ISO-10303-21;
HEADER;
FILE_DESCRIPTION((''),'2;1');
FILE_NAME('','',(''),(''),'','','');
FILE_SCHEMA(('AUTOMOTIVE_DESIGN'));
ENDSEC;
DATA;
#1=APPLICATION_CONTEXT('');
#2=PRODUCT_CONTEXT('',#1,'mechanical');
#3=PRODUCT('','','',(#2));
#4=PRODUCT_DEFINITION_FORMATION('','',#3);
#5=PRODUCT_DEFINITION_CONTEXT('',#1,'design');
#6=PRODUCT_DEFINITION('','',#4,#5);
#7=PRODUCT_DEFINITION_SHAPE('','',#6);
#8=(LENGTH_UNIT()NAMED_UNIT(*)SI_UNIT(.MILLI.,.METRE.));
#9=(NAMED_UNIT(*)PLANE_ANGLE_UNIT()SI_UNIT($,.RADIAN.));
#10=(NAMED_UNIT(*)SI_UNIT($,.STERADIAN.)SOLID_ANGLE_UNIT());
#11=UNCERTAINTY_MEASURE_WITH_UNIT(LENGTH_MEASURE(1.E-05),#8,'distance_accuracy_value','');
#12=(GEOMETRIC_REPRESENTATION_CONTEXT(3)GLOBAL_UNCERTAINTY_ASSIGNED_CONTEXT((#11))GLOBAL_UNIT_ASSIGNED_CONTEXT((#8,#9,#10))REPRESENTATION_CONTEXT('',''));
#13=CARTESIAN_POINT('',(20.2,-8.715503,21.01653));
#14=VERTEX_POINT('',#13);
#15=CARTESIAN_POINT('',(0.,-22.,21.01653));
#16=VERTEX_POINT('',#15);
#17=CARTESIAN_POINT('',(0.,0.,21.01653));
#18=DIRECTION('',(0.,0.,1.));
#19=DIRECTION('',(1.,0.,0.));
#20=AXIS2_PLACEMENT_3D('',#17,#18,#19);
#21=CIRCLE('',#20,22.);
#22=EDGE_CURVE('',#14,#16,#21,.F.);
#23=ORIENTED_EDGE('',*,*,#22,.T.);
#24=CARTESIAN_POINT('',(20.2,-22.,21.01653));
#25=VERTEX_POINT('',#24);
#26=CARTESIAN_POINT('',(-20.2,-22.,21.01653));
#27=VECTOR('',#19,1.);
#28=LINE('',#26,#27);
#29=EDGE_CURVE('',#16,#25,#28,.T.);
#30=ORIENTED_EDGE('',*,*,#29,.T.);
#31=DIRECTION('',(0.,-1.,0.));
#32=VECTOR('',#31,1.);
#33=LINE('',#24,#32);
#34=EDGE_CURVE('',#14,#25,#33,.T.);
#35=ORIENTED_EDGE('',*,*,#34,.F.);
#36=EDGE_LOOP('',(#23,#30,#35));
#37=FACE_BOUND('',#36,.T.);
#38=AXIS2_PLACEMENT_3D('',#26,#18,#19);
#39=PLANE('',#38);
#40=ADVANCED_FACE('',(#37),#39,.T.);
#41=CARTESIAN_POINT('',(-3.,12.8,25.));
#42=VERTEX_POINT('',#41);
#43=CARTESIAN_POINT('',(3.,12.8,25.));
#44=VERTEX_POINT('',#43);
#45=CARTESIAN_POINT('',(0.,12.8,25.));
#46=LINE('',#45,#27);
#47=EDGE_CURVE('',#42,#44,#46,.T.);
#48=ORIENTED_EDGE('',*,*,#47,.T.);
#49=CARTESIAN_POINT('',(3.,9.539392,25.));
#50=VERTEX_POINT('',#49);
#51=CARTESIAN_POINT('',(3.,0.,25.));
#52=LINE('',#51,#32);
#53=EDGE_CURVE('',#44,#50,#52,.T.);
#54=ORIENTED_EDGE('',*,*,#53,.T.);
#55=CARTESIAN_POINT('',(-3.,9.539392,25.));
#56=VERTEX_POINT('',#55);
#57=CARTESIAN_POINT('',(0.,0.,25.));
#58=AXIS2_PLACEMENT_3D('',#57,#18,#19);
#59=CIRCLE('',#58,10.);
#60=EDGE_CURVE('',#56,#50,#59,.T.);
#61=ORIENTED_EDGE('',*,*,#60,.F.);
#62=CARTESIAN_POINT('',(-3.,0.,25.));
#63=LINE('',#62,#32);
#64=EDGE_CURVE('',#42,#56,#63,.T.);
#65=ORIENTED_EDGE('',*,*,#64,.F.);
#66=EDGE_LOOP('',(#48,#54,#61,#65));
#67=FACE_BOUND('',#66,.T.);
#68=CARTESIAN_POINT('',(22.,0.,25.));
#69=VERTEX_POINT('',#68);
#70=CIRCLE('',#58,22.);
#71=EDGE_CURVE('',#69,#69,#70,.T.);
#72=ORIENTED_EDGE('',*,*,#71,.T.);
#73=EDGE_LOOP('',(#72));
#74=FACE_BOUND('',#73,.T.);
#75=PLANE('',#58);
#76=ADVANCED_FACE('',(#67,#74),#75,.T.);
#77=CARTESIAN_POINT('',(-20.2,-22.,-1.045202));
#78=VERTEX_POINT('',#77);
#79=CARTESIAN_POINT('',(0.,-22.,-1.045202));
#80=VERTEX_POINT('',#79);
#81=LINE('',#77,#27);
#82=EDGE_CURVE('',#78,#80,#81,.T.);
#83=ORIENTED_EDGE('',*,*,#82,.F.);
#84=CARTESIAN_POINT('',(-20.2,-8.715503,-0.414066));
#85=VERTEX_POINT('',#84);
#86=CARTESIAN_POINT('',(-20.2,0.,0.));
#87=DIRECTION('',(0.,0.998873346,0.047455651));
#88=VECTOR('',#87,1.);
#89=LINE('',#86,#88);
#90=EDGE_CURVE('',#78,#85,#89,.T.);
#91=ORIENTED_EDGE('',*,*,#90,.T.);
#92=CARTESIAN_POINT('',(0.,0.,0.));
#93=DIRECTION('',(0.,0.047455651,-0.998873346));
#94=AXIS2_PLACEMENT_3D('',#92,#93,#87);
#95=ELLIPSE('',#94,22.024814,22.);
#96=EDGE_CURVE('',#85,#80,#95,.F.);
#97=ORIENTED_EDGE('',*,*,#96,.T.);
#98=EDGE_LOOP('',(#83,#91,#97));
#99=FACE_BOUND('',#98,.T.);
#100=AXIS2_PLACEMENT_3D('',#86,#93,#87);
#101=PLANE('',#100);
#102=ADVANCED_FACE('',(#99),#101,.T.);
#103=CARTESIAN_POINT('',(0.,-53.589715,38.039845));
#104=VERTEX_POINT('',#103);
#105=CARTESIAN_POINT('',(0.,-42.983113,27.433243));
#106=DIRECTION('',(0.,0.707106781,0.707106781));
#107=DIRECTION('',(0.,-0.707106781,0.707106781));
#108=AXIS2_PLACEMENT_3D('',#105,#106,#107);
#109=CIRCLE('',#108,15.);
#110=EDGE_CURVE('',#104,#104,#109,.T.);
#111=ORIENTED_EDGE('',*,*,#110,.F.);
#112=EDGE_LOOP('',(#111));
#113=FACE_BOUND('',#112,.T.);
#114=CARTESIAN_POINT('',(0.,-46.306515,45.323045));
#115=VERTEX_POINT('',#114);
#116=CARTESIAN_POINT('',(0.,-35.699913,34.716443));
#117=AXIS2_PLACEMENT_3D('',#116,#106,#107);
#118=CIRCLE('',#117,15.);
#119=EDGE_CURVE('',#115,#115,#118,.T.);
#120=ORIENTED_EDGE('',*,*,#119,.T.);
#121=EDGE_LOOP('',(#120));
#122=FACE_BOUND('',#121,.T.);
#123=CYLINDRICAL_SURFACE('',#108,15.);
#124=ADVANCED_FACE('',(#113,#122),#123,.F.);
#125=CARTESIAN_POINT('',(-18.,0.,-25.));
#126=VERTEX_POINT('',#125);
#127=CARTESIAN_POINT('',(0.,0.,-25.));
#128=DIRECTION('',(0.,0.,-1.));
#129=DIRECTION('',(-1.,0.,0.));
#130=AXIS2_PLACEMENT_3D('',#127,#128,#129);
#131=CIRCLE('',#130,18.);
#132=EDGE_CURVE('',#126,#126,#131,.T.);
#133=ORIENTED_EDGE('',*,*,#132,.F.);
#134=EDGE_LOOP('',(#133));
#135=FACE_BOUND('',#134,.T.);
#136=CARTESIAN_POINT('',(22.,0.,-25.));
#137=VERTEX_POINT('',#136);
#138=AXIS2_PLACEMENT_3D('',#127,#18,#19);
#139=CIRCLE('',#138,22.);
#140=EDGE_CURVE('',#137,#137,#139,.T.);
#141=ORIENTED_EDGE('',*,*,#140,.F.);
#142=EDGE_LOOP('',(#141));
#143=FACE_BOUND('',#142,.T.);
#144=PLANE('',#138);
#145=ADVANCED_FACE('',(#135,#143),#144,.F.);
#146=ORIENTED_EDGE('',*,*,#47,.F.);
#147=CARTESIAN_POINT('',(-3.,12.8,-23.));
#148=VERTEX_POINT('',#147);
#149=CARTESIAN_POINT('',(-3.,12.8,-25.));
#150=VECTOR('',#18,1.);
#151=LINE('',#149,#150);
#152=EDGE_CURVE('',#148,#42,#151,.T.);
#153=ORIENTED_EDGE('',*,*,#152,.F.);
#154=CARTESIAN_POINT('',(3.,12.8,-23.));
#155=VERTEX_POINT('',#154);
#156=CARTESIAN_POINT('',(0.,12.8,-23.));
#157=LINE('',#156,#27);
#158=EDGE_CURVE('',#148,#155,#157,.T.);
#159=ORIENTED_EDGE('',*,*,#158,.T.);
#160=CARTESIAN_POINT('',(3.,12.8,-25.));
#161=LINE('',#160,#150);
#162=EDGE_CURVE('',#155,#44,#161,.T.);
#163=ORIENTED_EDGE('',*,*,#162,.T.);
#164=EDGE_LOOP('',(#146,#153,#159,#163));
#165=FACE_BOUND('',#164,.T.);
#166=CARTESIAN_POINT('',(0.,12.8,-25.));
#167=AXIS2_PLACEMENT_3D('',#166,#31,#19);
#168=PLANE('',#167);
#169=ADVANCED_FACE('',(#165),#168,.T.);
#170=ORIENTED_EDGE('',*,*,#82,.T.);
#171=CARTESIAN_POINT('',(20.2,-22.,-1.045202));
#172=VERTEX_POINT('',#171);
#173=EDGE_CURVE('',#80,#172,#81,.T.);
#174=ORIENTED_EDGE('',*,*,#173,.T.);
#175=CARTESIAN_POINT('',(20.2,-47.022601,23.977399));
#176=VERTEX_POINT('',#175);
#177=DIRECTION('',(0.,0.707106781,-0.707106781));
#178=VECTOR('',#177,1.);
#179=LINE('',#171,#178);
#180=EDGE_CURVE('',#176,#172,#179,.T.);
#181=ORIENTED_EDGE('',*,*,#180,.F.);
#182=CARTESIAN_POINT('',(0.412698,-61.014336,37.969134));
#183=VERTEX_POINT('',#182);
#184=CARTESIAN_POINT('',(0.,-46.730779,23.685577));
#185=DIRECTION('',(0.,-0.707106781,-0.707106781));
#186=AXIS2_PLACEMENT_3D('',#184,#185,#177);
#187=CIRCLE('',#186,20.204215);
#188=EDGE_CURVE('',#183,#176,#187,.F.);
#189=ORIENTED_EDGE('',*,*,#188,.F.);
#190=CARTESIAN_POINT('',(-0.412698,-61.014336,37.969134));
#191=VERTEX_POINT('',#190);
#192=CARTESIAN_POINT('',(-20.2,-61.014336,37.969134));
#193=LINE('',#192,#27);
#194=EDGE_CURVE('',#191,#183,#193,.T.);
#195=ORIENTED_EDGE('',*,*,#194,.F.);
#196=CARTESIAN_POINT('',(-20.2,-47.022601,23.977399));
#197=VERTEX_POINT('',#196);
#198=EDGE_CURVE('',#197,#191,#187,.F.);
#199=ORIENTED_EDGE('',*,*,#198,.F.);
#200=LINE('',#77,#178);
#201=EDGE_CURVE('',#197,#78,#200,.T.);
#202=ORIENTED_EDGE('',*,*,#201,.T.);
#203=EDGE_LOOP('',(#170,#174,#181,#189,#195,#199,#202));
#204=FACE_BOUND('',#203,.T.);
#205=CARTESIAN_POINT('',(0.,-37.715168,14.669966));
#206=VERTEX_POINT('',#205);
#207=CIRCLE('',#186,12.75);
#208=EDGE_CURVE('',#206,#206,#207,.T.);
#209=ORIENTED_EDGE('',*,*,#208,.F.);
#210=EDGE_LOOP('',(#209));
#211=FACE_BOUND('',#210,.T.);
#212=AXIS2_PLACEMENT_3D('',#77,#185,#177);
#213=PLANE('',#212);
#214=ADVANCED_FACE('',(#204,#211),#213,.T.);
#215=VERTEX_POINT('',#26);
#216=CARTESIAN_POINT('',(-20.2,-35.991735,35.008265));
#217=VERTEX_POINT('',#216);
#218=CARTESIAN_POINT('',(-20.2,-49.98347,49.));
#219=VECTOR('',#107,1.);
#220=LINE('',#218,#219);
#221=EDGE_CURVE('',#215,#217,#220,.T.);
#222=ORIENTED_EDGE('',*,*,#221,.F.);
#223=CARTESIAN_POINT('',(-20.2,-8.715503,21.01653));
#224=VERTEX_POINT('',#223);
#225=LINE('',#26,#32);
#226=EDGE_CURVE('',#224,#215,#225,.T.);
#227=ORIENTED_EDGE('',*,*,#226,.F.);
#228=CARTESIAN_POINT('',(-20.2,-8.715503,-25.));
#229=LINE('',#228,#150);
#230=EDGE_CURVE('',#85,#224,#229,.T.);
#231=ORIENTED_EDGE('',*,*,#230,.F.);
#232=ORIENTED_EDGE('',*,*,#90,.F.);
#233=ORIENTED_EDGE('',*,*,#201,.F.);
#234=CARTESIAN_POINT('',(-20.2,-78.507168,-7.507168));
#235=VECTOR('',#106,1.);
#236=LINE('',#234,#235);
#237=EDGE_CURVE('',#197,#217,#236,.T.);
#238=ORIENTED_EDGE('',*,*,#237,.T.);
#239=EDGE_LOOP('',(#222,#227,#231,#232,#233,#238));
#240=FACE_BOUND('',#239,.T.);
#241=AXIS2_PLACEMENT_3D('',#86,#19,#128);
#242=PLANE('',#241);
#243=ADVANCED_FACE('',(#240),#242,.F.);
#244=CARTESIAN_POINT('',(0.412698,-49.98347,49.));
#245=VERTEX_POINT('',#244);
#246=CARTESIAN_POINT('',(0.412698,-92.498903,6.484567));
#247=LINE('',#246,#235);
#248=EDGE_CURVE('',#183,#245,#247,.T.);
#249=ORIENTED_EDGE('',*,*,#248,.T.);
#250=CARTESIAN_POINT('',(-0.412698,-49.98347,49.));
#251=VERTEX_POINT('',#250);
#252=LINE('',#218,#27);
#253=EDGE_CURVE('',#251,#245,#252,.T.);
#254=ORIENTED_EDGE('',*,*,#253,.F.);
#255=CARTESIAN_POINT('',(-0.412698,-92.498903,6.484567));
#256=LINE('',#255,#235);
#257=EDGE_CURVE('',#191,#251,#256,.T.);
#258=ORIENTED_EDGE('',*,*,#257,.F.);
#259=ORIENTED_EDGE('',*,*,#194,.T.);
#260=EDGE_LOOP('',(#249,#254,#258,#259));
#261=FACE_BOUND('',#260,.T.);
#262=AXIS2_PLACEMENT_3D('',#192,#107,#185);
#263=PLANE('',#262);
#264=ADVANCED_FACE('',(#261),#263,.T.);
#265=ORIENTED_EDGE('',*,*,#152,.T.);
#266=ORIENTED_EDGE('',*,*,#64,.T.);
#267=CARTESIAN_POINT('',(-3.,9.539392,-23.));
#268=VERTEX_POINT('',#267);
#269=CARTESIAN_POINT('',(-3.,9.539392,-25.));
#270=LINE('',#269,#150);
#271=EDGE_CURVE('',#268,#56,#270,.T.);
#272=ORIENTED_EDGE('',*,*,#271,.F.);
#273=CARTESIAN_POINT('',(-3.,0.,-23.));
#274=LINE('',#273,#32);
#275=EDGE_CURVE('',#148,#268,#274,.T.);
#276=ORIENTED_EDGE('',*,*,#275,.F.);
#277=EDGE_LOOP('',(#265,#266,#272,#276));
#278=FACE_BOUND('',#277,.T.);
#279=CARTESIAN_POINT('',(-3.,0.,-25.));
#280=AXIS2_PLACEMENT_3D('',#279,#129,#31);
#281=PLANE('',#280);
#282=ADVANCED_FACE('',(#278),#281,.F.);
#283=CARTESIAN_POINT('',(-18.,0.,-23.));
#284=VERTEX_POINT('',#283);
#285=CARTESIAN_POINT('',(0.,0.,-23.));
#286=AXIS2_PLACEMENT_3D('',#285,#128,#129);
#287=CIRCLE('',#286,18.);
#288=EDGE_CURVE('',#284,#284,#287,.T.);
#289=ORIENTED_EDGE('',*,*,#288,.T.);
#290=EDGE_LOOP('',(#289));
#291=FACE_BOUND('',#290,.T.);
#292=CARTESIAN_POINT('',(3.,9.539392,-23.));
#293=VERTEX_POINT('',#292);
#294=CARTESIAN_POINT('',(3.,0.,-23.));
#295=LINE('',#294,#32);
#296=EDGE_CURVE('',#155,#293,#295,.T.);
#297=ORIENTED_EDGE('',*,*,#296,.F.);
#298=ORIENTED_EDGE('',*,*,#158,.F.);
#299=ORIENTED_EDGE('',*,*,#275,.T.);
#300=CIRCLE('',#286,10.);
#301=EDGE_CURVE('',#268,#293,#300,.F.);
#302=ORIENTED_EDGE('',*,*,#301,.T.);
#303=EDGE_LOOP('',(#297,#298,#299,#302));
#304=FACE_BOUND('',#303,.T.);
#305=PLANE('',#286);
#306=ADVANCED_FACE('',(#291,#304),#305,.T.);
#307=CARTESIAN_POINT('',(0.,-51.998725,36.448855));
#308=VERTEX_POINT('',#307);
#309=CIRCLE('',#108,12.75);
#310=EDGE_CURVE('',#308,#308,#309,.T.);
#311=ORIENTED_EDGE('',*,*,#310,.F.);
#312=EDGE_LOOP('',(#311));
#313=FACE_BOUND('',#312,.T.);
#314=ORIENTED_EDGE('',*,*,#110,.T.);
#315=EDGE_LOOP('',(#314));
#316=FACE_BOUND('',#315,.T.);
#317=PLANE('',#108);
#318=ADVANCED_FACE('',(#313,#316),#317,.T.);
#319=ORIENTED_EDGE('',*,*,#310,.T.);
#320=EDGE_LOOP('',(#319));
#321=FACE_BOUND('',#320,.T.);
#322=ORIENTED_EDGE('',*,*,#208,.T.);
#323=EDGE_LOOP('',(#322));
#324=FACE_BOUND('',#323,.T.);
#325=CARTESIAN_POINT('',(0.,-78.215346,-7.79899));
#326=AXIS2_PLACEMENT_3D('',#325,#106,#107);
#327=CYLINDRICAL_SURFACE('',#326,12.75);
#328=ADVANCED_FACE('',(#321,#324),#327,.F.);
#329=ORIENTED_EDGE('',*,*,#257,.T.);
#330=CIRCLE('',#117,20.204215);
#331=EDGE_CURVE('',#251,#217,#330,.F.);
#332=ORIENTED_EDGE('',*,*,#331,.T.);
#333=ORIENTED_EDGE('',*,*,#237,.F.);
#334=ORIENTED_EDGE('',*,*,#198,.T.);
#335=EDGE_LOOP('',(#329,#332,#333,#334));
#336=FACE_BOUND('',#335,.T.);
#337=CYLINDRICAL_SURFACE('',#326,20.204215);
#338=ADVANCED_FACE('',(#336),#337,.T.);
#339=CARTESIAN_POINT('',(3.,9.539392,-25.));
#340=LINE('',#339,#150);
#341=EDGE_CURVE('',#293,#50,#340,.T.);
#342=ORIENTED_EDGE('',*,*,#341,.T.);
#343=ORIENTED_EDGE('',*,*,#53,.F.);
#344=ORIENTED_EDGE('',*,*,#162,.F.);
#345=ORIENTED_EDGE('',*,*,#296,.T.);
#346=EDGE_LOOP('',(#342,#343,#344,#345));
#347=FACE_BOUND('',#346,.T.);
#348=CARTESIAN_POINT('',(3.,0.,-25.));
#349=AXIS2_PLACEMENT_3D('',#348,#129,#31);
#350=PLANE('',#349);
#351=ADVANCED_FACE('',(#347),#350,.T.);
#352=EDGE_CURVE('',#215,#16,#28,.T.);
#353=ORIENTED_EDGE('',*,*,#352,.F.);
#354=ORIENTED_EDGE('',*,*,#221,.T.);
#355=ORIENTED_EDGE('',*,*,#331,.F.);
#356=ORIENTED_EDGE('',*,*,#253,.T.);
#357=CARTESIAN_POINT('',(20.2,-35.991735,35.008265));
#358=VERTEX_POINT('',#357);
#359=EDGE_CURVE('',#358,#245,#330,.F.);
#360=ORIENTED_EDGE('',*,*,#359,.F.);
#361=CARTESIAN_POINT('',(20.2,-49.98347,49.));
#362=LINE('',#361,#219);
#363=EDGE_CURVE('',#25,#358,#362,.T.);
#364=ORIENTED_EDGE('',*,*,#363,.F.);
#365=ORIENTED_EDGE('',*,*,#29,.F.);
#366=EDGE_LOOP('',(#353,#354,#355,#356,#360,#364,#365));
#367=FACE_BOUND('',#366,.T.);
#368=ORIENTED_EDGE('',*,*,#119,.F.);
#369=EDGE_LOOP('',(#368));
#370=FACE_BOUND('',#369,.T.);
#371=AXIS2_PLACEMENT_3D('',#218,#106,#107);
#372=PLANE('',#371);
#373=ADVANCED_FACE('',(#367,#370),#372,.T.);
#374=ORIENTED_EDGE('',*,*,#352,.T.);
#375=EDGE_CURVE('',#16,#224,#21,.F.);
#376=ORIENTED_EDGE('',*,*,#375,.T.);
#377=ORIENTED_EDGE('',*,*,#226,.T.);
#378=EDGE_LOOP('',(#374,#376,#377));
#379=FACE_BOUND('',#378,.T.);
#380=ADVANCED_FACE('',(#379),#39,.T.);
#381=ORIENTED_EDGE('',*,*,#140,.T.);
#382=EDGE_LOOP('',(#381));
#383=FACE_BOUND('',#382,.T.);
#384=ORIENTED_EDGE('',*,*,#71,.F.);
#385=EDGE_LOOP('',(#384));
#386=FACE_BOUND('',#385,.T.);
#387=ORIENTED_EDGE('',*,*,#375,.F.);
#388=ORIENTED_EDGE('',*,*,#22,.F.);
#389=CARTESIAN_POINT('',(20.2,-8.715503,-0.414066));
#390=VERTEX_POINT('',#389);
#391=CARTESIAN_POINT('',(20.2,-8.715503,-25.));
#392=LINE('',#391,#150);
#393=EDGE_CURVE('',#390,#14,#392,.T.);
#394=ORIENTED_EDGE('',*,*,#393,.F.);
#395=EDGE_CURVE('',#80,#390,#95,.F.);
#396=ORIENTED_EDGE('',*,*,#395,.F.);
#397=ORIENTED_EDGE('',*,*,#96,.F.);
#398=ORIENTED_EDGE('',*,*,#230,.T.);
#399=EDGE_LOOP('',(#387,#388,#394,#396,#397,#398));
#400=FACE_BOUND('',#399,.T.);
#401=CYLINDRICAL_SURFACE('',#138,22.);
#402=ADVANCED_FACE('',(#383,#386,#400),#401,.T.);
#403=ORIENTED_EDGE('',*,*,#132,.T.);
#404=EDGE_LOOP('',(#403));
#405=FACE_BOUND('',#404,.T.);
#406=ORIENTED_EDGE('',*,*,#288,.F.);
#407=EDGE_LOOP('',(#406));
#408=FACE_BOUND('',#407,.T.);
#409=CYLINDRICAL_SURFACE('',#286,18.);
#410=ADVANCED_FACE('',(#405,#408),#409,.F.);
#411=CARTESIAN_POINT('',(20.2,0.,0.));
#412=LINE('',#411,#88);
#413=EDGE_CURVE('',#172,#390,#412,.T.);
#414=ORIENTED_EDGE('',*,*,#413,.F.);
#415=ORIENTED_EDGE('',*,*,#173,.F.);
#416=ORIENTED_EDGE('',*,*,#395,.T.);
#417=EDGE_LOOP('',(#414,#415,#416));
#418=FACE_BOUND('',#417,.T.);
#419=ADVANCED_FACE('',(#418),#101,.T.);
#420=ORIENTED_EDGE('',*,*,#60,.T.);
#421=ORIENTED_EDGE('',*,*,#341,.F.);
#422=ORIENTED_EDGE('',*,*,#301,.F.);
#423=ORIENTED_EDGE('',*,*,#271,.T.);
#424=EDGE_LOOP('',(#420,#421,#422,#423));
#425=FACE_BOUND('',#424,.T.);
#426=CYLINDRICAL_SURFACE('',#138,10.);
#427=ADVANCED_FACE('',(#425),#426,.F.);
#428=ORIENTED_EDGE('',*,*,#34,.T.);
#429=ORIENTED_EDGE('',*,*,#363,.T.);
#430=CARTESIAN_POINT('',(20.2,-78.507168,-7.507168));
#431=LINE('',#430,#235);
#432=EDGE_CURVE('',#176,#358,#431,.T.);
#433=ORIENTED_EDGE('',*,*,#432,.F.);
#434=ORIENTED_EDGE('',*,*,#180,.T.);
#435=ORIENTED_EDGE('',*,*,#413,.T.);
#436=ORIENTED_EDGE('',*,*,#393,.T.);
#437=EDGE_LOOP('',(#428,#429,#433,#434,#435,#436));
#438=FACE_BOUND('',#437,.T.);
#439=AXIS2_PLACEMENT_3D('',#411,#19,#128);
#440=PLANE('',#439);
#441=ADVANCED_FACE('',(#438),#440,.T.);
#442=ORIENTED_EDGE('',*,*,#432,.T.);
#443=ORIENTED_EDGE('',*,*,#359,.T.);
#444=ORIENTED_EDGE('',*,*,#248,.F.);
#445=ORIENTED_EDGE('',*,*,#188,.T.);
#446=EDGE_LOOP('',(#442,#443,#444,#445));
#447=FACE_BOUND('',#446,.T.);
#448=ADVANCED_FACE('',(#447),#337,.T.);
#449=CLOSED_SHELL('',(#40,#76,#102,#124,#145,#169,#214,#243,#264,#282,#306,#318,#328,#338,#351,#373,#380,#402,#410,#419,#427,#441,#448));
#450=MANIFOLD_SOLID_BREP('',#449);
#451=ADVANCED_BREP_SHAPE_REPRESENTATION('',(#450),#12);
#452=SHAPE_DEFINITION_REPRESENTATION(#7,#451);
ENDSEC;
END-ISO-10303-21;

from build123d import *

# Parameters (mm, degrees)
BOSS_EXTRU_1_DEPTH      = 25
BOSS_EXTRU_1_DEPTH_BACK = 25
ESQUISSE1_R             = 22
BOSS_EXTRU_2_DEPTH      = 20.2
BOSS_EXTRU_2_DEPTH_BACK = 20.2
ESQUISSE5_R             = 15
ENL_V_MAT_EXTRU_1_DEPTH = 10.3
ESQUISSE7_R             = 12.75
ENL_V_MAT_EXTRU_3_DEPTH = 82.218329674
ESQUISSE8_R             = 10
ENL_V_MAT_EXTRU_4_DEPTH = 82.89474471
ESQUISSE9_R             = 18
ENL_V_MAT_EXTRU_5_DEPTH = 2
ENL_V_MAT_EXTRU_6_DEPTH = 82.218329674


with BuildPart() as part:
    # Esquisse1 → Boss.-Extru.1 (new, two sides: drawn at the far end of the back side and taken through both)
    with BuildSketch(Plane.XY.offset(-BOSS_EXTRU_1_DEPTH_BACK)):
        Circle(ESQUISSE1_R)
        with BuildLine():
            Line((-3, 9.539392014), (-3, 12.8))
            Line((-3, 12.8), (3, 12.8))
            Line((3, 12.8), (3, 9.539392014))
            ThreePointArc((3, 9.539392014), (8.062257748, 5.916079783), (10, 0))
            ThreePointArc((10, 0), (-5.916079783, -8.062257748), (-3, 9.539392014))
        make_face(mode=Mode.SUBTRACT)
    extrude(amount=BOSS_EXTRU_1_DEPTH + BOSS_EXTRU_1_DEPTH_BACK)

    # Esquisse4 → Boss.-Extru.2 (add, two sides: drawn at the far end of the back side and taken through both)
    with BuildSketch(Plane(origin=(0, 0, 0), x_dir=(0, 0, -1), z_dir=(1, 0, 0)).offset(-BOSS_EXTRU_2_DEPTH_BACK)):
        Polygon((1.045201898, -22), (-37.969134213, -61.014336111), (-49, -49.983470325), (-21.016529675, -22), (-21.016529675, 0), (0, 0), align=None)
    extrude(amount=BOSS_EXTRU_2_DEPTH + BOSS_EXTRU_2_DEPTH_BACK)

    # Esquisse5 → Enlèv. mat.-Extru.1 (cut)
    with BuildSketch(Plane(origin=(0, -0.491735162, -0.491735162), x_dir=(1, 0, 0), z_dir=(0, 0.7071067811865487, 0.7071067811865465))):
        with Locations((0, -49.791883092)):
            Circle(ESQUISSE5_R)
    extrude(amount=-ENL_V_MAT_EXTRU_1_DEPTH, mode=Mode.SUBTRACT)

    # Esquisse7 → Enlèv. mat.-Extru.3 (cut, through all)
    with BuildSketch(Plane(origin=(0, -0.491735162, -0.491735162), x_dir=(1, 0, 0), z_dir=(0, 0.7071067811865487, 0.7071067811865465))):
        with Locations((0, -49.791883092)):
            Circle(ESQUISSE7_R)
    extrude(amount=-ENL_V_MAT_EXTRU_3_DEPTH, mode=Mode.SUBTRACT)

    # Esquisse8 → Enlèv. mat.-Extru.4 (cut, through all)
    with BuildSketch(Plane.XY.offset(25)):
        Circle(ESQUISSE8_R)
    extrude(amount=-ENL_V_MAT_EXTRU_4_DEPTH, mode=Mode.SUBTRACT)

    # Esquisse9 → Enlèv. mat.-Extru.5 (cut)
    with BuildSketch(Plane(origin=(0, 0, -25), x_dir=(-1, 0, 0), z_dir=(0, 0, -1))):
        Circle(ESQUISSE9_R)
    extrude(amount=-ENL_V_MAT_EXTRU_5_DEPTH, mode=Mode.SUBTRACT)

    # Esquisse11 → Enlèv. mat.-Extru.6 (cut, through all)
    with BuildSketch(Plane(origin=(0, -0.491735162, -0.491735162), x_dir=(1, 0, 0), z_dir=(0, 0.7071067811865487, 0.7071067811865465))):
        with BuildLine():
            ThreePointArc((-0.412698372, -69.991883092), (-14.286537718, -64.07842081), (-20.2, -50.204581464))
            Line((-20.2, -50.204581464), (-20.2, -69.991883092))
            Line((-20.2, -69.991883092), (-0.412698372, -69.991883092))
        make_face()
        with BuildLine():
            ThreePointArc((20.2, -50.204581464), (14.286537718, -64.07842081), (0.412698372, -69.991883092))
            Line((0.412698372, -69.991883092), (20.2, -69.991883092))
            Line((20.2, -69.991883092), (20.2, -50.204581464))
        make_face()
    extrude(amount=-ENL_V_MAT_EXTRU_6_DEPTH, mode=Mode.SUBTRACT)


solid = part.part
